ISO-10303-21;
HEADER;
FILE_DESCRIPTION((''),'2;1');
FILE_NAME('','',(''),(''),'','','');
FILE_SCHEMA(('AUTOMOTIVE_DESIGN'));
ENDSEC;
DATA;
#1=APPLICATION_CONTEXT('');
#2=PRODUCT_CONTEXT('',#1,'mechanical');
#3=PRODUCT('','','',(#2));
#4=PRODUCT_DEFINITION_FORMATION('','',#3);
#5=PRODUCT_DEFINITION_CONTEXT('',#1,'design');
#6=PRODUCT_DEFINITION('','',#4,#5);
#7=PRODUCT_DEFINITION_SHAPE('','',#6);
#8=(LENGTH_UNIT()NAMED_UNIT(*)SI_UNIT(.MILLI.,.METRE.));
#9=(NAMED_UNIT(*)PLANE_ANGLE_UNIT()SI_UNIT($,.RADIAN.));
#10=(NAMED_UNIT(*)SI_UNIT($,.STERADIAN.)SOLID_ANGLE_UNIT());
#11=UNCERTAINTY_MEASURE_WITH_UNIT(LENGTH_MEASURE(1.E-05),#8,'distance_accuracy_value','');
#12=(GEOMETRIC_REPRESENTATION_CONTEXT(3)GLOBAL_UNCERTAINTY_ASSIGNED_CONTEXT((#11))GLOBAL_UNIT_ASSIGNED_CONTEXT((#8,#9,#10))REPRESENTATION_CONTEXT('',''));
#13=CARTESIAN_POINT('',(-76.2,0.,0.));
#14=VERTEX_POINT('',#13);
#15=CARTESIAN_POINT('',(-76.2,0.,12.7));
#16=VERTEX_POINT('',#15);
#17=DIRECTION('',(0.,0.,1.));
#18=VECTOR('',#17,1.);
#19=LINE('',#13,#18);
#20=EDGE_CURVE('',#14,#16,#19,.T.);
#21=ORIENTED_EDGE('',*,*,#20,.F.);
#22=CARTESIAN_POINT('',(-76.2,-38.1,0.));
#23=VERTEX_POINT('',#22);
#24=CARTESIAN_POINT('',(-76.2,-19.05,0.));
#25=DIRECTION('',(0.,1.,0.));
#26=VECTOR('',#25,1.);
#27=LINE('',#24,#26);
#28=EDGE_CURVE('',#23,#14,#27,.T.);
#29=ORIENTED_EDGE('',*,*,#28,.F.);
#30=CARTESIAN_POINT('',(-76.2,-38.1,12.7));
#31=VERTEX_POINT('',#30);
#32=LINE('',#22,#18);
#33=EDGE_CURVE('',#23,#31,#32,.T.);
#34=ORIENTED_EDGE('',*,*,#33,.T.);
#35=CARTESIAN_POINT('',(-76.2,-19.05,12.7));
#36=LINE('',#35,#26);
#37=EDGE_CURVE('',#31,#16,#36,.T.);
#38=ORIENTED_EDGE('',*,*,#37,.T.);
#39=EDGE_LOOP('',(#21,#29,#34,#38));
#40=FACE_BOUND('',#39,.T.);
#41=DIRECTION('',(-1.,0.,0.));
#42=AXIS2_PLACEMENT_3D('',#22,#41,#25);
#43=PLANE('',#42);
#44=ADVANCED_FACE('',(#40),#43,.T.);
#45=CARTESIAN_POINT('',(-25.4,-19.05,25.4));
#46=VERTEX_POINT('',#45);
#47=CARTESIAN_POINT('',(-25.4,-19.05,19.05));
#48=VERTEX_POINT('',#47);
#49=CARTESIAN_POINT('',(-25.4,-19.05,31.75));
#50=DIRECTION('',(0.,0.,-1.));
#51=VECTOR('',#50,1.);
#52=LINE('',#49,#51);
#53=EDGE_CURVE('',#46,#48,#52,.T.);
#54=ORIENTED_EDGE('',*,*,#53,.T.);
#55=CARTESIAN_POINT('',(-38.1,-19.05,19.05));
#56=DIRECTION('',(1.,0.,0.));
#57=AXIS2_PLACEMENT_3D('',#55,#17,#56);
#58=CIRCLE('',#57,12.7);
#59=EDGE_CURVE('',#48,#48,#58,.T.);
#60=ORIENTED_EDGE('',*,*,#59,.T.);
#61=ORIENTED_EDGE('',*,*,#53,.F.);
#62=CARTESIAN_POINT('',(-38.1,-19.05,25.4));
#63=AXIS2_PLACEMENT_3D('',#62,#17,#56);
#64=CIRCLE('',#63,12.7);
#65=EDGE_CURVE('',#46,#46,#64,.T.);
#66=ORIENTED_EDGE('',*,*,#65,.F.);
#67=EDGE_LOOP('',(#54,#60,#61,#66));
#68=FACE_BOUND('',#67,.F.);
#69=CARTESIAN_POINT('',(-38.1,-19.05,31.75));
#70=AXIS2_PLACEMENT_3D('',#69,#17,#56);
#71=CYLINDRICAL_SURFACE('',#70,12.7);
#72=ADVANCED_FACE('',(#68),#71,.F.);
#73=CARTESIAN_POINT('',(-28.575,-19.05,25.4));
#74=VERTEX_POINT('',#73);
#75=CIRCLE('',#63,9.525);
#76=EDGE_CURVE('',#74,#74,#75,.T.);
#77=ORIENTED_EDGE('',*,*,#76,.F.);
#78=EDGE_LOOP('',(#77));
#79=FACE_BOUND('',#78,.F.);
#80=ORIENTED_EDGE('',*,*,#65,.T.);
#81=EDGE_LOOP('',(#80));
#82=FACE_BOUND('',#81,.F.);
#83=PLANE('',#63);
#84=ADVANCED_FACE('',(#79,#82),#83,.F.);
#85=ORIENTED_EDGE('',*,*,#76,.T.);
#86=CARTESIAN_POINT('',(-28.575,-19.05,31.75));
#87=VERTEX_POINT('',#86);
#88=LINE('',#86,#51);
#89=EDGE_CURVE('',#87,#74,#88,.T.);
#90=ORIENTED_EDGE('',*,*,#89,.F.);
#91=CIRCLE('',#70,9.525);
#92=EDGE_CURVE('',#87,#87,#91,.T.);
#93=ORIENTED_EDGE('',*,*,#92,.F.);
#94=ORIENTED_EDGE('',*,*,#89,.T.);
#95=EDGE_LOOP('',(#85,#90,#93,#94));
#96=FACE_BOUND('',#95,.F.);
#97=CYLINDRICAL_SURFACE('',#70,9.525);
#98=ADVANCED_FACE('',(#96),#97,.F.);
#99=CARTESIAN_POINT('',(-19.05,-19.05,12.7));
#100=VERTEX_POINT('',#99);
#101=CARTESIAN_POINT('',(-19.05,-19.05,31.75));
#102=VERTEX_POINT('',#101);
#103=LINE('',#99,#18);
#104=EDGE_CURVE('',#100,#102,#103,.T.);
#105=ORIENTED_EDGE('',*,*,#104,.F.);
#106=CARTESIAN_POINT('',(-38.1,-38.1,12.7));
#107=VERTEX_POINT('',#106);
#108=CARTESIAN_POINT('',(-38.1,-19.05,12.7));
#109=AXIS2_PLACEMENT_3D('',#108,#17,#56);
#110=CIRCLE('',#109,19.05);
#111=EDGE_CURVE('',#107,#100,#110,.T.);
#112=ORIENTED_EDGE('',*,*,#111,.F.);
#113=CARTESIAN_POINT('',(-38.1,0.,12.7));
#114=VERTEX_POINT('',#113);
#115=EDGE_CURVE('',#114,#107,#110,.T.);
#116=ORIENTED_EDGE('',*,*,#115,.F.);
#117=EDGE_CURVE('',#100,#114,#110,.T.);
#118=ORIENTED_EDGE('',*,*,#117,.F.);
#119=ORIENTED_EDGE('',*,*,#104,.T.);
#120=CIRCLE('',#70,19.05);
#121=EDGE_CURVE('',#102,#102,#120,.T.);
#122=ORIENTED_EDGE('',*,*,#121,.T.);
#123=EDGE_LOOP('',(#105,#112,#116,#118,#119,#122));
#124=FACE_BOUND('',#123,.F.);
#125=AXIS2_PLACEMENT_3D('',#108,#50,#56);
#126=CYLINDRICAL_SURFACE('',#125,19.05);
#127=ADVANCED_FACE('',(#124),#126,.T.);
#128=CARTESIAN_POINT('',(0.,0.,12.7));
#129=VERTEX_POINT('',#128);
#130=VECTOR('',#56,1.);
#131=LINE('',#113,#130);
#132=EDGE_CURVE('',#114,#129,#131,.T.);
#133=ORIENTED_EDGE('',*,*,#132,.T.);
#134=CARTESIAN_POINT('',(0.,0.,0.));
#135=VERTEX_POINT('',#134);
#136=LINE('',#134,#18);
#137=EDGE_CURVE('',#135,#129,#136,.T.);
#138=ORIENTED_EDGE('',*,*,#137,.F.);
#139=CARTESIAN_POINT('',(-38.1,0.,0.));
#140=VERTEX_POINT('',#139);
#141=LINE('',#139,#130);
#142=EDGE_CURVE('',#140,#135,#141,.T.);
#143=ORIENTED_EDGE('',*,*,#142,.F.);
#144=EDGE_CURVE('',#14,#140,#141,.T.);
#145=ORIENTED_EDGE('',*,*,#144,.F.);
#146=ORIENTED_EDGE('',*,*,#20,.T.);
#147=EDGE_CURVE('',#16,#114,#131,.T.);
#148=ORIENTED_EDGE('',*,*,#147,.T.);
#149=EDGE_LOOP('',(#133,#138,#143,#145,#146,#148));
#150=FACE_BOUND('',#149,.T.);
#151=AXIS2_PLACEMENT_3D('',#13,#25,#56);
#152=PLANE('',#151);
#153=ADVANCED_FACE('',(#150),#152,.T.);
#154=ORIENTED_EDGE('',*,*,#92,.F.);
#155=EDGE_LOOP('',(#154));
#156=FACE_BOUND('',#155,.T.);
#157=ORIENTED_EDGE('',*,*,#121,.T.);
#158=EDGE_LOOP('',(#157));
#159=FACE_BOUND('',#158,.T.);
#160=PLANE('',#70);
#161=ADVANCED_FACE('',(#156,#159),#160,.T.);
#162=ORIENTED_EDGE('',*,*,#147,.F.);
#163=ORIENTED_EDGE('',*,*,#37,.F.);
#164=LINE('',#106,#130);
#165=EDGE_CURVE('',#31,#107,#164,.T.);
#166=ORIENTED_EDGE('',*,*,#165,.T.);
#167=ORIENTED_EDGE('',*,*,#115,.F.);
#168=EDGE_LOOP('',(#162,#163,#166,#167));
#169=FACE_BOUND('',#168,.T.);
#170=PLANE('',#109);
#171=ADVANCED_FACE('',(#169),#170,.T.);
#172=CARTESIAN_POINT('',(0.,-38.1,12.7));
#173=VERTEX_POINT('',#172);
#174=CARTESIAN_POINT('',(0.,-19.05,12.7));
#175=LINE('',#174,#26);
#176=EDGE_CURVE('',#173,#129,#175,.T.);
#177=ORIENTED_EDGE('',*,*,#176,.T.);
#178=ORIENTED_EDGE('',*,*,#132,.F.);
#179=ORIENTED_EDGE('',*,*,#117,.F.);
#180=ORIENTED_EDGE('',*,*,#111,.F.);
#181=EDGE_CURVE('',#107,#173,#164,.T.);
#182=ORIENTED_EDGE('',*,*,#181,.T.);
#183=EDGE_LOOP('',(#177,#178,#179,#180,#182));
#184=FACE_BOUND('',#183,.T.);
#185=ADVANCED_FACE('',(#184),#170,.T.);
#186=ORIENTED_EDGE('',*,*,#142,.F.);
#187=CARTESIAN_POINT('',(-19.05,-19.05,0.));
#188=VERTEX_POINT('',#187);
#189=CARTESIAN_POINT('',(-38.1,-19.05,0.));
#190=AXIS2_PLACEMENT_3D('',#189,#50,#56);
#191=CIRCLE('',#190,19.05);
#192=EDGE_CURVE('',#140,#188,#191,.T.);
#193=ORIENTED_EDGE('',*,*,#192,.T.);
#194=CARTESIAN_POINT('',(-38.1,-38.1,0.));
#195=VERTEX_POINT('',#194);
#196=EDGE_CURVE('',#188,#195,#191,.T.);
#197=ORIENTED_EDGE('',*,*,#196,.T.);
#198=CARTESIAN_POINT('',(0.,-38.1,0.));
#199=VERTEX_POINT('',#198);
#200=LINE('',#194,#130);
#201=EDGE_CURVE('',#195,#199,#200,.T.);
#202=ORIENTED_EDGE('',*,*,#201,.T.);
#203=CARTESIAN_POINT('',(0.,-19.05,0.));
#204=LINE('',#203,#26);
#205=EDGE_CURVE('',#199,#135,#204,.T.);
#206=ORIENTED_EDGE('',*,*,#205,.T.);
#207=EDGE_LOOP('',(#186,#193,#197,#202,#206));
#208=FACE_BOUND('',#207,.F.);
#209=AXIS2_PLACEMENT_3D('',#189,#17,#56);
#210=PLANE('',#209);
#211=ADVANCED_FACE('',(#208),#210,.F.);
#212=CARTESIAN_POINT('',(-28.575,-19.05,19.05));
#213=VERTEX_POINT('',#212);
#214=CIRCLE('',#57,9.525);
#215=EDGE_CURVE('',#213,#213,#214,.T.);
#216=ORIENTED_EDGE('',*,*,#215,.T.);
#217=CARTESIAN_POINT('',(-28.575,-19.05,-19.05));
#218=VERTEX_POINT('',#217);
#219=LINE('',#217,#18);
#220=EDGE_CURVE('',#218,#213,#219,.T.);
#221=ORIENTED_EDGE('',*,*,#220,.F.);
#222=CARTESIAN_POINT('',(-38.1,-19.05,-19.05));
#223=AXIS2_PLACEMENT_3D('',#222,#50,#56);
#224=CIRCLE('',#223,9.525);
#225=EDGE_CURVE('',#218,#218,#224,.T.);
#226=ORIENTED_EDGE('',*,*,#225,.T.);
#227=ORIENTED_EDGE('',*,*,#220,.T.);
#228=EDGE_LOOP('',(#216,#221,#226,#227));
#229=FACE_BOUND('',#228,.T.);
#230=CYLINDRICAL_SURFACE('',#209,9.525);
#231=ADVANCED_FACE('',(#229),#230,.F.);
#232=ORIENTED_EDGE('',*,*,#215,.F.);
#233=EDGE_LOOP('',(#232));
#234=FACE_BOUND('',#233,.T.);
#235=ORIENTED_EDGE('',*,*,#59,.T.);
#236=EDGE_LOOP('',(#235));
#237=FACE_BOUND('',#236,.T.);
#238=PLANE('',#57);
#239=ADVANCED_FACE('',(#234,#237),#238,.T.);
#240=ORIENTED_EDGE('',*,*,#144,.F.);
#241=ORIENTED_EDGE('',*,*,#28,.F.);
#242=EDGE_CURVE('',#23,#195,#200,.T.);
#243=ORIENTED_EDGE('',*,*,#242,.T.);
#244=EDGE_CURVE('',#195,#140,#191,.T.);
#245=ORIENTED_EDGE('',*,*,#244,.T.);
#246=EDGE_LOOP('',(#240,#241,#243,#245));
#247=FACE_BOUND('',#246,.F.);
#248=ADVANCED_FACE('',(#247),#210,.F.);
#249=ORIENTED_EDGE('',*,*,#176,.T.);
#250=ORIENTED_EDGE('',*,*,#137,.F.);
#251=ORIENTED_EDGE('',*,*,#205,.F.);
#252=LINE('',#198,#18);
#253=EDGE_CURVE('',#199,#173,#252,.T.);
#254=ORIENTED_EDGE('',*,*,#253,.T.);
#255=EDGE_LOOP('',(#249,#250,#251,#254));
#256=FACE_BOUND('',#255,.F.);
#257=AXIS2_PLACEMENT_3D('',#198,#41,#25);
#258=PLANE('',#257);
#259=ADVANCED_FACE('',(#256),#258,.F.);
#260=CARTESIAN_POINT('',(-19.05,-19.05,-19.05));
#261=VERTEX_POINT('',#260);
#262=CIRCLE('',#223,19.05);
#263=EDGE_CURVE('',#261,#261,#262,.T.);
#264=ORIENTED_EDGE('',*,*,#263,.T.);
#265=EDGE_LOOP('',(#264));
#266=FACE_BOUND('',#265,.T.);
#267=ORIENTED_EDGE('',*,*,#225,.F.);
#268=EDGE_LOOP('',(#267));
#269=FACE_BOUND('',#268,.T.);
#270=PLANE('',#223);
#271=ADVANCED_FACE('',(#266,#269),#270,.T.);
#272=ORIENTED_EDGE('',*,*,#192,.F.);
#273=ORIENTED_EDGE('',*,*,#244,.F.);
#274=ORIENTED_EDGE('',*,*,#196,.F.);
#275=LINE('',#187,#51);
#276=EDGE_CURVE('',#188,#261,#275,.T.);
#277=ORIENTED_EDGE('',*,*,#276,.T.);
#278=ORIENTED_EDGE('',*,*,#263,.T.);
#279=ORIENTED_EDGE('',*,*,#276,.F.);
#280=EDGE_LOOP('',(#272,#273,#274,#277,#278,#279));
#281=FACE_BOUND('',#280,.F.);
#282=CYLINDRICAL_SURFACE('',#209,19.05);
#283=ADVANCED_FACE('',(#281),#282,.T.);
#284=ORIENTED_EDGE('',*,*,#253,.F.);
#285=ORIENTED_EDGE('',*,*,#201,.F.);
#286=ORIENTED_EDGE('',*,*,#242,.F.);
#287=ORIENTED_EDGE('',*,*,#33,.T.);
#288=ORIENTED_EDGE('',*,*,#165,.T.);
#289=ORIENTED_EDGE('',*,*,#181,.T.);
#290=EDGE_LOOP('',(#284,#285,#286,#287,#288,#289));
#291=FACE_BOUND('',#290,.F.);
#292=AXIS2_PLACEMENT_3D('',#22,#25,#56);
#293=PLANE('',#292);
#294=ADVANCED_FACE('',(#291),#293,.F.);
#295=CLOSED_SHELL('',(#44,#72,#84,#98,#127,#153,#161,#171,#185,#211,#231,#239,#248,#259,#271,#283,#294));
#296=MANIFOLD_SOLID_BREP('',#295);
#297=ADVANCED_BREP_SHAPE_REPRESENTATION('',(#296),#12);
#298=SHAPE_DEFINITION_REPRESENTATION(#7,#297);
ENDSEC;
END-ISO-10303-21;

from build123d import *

# Parameters (mm, degrees)
F0_W          = 76.2
F0_H          = 38.1
F1_DEPTH      = 12.7
F2_R          = 9.525
F3_DEPTH      = 19.05
F4_R          = 9.525
F5_DEPTH      = 19.05
F6_DEPTH      = 31.751
F7_R          = 12.7
F7_R_2        = 9.525
F8_DEPTH      = 12.7
F8_DEPTH_BACK = 25.4
F9_R          = 12.7
F9_R_2        = 9.525
F10_DEPTH     = 6.35


with BuildPart() as f1:
    # F0 (on Top) → F1 (new body)
    with BuildSketch(Plane.XY):
        with Locations((-38.1, -19.05)):
            Rectangle(F0_W, F0_H)
    extrude(amount=F1_DEPTH)

    # F2 (on face) → F3 (join)
    with BuildSketch(Plane.XY.offset(12.7)):
        with BuildLine():
            ThreePointArc((-38.1, -38.1), (-24.6296158184, -32.5203841816), (-19.05, -19.05))
            ThreePointArc((-19.05, -19.05), (-24.6296158184, -5.5796158184), (-38.1, 0))
            ThreePointArc((-38.1, 0), (-57.15, -19.05), (-38.1, -38.1))
        make_face()
        with Locations((-38.1, -19.05)):
            Circle(F2_R, mode=Mode.SUBTRACT)
    extrude(amount=F3_DEPTH)

    # F4 (on face) → F5 (join)
    with BuildSketch(Plane(origin=(0, 0, 0), x_dir=(1, 0, 0), z_dir=(0, 0, -1))):
        with BuildLine():
            ThreePointArc((-38.1, 0), (-24.6296158184, 5.5796158184), (-19.05, 19.05))
            ThreePointArc((-19.05, 19.05), (-24.6296158184, 32.5203841816), (-38.1, 38.1))
            ThreePointArc((-38.1, 38.1), (-57.15, 19.05), (-38.1, 0))
        make_face()
        with Locations((-38.1, 19.05)):
            Circle(F4_R, mode=Mode.SUBTRACT)
    extrude(amount=F5_DEPTH)

    # F6 (cut, through all): a face of the model
    f6_faces = [f1.faces().sort_by_distance(p)[0] for p in [
        (-38.1, -19.05, 12.7),
    ]]
    extrude(f6_faces, amount=-F6_DEPTH, mode=Mode.SUBTRACT)

    # F7 (on face) → F8 (cut, two sides)
    with BuildSketch(Plane.XY.offset(31.75)) as f8_sk:
        with Locations((-38.1, -19.05)):
            Circle(F7_R)
        with Locations((-38.1, -19.05)):
            Circle(F7_R_2, mode=Mode.SUBTRACT)
    extrude(amount=-F8_DEPTH, mode=Mode.SUBTRACT)
    extrude(f8_sk.sketch, amount=F8_DEPTH_BACK, mode=Mode.SUBTRACT)

    # F9 (on face) → F10 (join)
    with BuildSketch(Plane.XY.offset(31.75)):
        with Locations((-38.1, -19.05)):
            Circle(F9_R)
        with Locations((-38.1, -19.05)):
            Circle(F9_R_2, mode=Mode.SUBTRACT)
    extrude(amount=-F10_DEPTH)


solid = f1.part
